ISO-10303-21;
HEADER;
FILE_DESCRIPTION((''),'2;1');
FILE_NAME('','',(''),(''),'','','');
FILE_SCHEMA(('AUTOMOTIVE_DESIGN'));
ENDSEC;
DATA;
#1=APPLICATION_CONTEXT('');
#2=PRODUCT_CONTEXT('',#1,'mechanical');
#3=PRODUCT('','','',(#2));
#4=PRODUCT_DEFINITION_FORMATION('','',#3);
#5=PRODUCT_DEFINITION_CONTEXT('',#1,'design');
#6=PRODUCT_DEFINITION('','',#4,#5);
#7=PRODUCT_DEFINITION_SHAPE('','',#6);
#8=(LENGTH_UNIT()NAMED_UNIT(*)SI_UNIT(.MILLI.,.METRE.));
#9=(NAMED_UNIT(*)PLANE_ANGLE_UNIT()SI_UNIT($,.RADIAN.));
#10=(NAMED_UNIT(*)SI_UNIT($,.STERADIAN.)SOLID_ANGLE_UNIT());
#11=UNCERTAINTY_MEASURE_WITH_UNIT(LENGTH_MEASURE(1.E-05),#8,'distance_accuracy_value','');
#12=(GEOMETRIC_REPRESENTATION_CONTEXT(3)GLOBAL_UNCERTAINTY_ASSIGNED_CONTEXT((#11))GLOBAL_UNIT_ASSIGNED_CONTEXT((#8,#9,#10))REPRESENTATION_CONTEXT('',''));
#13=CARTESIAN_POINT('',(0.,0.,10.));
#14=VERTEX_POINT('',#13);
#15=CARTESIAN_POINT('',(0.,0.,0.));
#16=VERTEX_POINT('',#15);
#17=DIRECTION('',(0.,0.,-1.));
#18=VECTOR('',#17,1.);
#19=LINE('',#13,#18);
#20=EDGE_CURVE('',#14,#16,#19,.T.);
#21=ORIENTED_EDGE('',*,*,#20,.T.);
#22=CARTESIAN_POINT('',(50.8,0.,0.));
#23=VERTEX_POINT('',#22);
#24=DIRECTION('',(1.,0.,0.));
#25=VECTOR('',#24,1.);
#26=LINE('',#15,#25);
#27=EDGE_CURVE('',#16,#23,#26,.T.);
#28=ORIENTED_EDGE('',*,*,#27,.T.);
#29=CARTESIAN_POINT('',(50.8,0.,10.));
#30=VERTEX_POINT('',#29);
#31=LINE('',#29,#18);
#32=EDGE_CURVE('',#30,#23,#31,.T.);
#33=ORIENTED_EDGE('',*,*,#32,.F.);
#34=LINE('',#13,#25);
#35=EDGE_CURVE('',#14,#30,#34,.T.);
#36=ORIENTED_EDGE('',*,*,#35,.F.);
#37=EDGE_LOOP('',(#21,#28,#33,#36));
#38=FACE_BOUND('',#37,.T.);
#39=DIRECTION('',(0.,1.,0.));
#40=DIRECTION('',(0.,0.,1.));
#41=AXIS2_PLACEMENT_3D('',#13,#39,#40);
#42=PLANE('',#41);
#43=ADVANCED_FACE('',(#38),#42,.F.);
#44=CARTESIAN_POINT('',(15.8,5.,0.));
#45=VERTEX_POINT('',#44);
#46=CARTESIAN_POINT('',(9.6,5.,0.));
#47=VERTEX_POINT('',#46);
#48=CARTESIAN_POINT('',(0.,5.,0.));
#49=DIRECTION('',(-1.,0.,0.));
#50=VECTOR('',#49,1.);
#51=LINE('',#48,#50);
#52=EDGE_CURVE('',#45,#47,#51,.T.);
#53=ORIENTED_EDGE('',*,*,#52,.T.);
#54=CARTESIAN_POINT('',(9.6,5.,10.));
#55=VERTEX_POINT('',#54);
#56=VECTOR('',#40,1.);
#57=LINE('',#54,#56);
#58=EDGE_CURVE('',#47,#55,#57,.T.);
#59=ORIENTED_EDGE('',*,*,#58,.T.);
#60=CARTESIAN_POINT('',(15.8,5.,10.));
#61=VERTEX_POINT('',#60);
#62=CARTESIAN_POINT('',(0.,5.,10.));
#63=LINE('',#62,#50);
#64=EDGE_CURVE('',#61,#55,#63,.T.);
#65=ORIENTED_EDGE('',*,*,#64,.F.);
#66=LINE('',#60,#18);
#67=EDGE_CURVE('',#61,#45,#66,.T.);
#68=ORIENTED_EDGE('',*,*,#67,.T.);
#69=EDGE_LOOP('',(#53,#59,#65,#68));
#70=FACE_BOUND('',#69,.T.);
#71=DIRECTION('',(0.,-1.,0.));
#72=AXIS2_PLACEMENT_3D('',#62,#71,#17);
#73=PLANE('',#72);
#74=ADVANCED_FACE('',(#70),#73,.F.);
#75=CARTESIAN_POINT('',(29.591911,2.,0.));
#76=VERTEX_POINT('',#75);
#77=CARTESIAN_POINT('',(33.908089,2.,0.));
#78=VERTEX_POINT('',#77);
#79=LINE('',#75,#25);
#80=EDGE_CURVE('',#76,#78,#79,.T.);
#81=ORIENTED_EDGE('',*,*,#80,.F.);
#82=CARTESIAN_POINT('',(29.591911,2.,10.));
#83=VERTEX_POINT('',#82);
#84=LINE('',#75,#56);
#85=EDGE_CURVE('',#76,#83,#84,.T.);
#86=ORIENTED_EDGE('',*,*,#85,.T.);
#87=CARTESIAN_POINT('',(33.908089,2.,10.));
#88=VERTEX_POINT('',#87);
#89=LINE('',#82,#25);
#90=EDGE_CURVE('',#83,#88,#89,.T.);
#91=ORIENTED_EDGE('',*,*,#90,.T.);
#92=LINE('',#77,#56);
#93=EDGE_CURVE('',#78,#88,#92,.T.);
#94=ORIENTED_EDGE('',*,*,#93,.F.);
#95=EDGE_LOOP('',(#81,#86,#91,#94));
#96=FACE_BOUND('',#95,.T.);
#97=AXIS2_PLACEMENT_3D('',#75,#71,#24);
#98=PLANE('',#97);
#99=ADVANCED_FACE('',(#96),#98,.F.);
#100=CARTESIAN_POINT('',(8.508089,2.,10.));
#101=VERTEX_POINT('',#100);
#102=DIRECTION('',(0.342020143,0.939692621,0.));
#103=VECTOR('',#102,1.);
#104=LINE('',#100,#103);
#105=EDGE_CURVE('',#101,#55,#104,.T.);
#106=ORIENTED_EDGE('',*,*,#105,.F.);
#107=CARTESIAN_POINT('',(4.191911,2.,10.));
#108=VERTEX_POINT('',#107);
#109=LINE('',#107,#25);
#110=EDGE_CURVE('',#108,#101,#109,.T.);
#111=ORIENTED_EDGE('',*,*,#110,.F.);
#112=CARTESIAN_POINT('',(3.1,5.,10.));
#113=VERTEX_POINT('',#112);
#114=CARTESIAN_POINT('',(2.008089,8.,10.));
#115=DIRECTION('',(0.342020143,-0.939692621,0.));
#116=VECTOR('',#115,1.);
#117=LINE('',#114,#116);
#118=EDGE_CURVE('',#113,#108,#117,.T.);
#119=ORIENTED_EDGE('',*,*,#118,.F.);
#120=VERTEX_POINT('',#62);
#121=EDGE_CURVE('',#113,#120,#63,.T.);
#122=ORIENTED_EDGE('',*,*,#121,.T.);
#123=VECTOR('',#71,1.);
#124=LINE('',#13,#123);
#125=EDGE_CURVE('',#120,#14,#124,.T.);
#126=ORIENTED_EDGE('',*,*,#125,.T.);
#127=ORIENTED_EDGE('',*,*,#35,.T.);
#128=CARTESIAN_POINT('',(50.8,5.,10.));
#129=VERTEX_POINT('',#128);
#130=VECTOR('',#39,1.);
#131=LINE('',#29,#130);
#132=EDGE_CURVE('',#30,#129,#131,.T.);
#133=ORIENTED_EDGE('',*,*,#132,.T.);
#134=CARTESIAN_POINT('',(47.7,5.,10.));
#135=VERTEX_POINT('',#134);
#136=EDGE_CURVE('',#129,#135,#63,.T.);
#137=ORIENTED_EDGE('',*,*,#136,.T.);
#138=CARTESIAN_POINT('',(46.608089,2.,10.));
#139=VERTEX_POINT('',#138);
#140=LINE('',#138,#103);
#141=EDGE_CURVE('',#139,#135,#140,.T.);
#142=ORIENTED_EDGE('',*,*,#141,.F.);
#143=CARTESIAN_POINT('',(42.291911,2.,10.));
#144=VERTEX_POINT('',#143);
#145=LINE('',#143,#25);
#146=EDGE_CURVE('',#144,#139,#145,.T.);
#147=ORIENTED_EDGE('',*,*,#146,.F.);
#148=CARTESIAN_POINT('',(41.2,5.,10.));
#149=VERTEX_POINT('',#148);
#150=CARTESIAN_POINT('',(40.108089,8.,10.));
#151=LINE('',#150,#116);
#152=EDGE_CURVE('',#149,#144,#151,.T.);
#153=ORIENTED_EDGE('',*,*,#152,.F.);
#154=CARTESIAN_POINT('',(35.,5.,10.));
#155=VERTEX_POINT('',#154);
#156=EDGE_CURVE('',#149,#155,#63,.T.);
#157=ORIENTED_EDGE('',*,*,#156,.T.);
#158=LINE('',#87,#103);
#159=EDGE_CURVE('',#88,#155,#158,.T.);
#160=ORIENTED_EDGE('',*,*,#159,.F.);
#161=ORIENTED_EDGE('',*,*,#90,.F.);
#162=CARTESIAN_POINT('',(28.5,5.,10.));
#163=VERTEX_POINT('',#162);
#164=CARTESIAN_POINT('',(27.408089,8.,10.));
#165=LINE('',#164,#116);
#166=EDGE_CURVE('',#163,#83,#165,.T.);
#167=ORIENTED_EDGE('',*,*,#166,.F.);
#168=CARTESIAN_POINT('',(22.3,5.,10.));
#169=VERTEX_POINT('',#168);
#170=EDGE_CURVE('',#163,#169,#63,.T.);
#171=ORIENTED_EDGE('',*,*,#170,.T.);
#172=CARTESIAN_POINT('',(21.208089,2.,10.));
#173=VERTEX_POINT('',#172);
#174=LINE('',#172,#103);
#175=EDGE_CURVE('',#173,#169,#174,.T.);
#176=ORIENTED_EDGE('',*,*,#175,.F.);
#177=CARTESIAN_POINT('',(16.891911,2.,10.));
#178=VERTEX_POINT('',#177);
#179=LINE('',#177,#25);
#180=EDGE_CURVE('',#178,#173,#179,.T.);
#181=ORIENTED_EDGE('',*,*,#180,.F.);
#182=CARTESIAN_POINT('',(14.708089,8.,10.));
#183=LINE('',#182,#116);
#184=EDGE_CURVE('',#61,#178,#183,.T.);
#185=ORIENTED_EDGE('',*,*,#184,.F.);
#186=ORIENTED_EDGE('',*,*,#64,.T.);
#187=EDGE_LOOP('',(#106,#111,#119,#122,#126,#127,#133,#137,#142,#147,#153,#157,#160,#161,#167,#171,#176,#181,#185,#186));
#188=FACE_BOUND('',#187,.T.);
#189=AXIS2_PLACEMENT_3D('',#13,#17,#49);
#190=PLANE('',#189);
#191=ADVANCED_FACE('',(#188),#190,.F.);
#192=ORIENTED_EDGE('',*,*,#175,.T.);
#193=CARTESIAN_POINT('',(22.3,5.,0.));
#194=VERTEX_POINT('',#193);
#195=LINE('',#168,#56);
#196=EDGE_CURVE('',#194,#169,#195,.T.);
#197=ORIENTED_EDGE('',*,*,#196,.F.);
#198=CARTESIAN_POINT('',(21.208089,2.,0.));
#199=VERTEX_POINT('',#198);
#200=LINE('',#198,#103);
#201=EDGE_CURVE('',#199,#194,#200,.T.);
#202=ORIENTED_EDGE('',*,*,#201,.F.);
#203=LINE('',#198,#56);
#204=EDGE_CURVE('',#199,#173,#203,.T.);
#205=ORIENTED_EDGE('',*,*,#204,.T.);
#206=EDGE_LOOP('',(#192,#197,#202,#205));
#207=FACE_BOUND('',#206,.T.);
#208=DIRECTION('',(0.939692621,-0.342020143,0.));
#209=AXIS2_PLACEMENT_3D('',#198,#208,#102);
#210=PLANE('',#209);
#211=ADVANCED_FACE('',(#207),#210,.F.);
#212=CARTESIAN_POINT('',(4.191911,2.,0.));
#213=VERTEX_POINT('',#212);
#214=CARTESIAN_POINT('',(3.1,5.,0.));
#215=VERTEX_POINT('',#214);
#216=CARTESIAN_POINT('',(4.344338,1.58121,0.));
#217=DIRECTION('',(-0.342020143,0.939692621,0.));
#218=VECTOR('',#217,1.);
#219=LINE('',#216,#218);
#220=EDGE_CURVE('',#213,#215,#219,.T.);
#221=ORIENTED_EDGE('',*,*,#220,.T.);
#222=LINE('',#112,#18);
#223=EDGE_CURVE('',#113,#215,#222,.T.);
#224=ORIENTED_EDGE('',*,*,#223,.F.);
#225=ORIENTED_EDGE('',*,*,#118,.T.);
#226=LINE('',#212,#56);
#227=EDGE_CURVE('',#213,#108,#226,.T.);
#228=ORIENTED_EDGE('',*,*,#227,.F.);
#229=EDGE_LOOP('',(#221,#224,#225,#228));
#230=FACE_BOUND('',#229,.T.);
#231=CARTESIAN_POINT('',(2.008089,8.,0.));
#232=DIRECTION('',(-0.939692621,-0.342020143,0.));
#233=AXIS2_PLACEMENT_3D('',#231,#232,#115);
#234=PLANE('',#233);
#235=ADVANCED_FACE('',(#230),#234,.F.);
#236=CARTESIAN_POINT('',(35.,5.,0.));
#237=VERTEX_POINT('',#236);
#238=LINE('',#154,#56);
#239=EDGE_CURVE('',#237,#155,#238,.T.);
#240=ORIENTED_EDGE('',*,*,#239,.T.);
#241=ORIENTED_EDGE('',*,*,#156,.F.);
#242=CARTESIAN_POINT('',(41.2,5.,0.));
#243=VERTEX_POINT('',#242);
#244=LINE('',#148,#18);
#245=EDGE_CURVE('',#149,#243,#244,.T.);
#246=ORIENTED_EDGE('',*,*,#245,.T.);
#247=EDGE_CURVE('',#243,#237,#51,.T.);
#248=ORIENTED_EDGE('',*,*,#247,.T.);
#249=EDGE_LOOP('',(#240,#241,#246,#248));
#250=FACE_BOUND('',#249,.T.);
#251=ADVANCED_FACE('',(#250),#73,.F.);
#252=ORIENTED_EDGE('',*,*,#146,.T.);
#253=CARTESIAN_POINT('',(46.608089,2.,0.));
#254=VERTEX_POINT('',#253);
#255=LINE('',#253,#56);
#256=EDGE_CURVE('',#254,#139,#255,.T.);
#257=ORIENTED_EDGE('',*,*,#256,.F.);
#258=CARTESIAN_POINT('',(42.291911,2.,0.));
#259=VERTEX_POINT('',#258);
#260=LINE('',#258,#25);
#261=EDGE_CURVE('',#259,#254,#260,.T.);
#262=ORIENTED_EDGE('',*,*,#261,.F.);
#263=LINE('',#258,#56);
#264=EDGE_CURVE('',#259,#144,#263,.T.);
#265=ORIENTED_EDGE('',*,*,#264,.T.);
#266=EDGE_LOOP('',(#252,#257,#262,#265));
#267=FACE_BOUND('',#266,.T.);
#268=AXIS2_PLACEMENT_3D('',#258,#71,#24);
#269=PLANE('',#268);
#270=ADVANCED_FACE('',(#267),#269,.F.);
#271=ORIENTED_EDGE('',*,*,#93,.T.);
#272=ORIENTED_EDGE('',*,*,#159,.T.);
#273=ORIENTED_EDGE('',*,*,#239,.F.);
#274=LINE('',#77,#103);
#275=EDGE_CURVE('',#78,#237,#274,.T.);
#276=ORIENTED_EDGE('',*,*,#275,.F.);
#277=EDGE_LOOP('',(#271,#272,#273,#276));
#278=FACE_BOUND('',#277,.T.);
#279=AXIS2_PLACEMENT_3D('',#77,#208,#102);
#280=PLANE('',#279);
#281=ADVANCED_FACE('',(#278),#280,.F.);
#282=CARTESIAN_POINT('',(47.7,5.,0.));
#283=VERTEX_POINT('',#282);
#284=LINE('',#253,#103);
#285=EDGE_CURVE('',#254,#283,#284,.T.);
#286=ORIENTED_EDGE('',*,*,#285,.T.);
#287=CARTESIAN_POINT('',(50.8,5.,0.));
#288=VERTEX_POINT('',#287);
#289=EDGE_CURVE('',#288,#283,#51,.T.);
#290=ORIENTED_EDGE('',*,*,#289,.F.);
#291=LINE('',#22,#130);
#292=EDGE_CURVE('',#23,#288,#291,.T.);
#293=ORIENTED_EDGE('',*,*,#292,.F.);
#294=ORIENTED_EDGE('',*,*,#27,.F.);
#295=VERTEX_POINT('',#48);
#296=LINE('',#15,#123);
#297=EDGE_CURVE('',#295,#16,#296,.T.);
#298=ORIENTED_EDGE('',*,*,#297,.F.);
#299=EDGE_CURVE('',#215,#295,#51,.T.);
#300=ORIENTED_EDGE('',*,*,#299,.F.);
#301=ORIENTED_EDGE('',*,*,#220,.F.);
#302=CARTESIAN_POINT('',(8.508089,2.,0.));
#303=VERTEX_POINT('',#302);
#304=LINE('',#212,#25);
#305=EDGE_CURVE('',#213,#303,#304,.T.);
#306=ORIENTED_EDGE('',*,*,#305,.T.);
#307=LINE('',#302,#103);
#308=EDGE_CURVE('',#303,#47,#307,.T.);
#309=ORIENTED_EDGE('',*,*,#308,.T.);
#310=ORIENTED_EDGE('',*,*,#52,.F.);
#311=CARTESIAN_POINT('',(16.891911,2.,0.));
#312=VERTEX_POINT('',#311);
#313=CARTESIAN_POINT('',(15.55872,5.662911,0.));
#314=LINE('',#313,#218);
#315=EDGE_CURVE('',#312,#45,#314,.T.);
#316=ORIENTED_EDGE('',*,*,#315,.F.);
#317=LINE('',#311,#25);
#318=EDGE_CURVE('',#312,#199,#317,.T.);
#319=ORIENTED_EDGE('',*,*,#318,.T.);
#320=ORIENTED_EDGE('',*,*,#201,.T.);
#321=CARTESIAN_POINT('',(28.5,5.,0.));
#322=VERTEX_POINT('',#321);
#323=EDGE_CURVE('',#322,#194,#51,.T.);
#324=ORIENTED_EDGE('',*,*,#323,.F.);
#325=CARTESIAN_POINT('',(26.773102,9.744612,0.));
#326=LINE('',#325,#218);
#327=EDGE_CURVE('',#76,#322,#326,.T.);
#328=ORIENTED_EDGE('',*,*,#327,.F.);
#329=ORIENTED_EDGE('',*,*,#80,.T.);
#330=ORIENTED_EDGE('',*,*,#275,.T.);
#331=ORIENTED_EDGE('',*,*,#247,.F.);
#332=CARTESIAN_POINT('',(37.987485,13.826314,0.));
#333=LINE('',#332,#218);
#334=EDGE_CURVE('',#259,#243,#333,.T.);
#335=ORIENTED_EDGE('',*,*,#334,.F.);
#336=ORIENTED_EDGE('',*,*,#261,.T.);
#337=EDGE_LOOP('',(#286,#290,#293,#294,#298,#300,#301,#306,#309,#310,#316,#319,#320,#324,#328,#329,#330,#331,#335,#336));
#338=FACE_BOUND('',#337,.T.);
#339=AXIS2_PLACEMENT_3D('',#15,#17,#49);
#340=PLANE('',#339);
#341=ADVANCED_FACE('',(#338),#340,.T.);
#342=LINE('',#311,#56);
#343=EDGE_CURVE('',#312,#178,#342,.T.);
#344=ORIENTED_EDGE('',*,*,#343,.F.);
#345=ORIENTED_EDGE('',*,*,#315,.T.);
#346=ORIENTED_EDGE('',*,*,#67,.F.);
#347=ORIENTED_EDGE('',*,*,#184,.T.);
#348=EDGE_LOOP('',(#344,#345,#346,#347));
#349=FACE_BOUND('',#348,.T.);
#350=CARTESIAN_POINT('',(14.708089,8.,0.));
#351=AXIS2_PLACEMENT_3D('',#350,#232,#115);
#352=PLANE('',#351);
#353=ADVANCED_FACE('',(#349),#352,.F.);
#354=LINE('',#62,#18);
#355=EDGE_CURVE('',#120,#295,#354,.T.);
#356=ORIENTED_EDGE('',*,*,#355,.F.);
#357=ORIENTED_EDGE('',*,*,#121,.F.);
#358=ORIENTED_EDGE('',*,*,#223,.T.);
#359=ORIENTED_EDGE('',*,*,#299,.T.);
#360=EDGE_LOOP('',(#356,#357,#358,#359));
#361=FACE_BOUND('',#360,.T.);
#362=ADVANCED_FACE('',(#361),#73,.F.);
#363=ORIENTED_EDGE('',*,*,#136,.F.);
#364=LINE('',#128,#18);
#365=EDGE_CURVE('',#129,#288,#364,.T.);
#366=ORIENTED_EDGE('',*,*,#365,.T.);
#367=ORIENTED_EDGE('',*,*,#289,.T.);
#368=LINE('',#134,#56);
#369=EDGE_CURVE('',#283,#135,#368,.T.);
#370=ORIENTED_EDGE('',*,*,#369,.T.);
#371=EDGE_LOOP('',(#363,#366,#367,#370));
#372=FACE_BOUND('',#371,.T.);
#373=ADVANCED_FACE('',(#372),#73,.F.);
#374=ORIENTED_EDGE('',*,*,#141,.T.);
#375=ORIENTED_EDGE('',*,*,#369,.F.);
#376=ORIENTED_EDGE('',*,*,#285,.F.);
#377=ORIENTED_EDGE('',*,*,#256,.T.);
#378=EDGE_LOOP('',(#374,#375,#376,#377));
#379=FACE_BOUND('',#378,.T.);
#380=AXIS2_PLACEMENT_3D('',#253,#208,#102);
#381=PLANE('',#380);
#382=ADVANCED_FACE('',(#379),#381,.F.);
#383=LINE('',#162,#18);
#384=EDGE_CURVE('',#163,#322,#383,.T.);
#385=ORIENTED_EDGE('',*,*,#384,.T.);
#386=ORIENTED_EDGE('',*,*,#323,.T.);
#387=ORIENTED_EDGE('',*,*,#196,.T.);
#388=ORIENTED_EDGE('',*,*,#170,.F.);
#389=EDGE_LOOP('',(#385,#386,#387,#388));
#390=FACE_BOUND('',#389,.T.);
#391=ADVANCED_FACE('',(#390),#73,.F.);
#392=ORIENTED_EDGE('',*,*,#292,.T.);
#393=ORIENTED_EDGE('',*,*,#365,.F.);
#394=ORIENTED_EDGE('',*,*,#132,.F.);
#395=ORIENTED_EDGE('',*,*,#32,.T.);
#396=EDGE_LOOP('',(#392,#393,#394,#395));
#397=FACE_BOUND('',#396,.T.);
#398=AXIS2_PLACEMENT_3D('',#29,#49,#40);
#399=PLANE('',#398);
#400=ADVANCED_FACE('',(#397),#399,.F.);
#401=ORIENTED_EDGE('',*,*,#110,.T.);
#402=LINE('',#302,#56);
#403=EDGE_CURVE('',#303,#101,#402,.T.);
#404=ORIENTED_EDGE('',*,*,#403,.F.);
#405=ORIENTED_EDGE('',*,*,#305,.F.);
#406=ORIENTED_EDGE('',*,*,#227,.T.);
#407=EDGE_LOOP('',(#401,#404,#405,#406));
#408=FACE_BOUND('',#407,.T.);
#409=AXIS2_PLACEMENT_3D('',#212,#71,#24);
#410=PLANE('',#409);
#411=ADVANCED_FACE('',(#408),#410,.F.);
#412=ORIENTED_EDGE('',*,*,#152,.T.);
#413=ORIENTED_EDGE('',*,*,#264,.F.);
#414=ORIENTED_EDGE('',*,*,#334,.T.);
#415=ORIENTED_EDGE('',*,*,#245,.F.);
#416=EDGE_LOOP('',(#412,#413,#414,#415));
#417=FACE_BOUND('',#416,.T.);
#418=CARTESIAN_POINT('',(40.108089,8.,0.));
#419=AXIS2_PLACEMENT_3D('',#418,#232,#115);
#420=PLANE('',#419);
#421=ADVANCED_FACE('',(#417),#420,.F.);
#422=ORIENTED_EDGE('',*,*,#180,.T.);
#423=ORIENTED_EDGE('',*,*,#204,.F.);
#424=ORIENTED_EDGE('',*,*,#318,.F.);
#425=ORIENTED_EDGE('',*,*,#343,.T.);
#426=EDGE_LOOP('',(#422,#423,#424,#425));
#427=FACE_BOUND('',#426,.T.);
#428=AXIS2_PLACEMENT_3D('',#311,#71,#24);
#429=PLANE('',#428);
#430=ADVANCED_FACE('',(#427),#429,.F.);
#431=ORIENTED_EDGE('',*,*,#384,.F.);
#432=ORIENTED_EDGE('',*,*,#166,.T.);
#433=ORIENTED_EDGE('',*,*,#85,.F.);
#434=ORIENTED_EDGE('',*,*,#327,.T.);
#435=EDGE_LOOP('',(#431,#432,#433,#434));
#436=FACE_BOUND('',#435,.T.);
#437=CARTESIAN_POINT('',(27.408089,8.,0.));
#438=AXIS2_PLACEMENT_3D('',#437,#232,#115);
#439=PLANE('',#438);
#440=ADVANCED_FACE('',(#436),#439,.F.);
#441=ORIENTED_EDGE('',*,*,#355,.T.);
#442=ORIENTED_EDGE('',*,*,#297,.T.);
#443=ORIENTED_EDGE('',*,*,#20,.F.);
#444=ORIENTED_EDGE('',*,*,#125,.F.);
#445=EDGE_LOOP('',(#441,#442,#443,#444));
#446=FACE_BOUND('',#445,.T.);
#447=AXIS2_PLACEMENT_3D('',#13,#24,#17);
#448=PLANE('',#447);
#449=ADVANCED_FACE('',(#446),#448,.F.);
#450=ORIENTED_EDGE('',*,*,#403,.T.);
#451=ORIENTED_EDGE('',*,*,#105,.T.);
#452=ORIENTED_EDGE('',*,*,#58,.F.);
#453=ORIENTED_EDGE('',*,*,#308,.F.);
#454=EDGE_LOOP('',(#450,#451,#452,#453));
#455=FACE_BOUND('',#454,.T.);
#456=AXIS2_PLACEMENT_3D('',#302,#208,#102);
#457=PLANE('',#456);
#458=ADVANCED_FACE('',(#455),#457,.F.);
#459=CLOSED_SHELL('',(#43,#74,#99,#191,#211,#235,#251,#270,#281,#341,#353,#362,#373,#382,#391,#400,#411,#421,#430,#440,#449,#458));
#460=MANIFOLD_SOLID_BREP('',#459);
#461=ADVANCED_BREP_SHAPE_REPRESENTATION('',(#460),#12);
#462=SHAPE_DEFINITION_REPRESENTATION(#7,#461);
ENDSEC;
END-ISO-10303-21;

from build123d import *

# Parameters (mm, degrees)
SKETCH1_W           = 50.8
SKETCH1_H           = 5
BOSS_EXTRUDE1_DEPTH = 10
CUT_EXTRUDE2_DEPTH  = 53.01576684
LPATTERN1_COUNT     = 4
LPATTERN1_PITCH     = 12.7


with BuildPart() as part:
    # Sketch1 → Boss-Extrude1 (new body)
    with BuildSketch(Plane.XY):
        with Locations((25.4, 2.5)):
            Rectangle(SKETCH1_W, SKETCH1_H)
    extrude(amount=BOSS_EXTRUDE1_DEPTH)

    # Sketch3 → Cut-Extrude2 (cut, through all)
    with BuildSketch(Plane.XY.offset(10)):
        Polygon((2.008089297, 8), (4.191910703, 2), (8.508089297, 2), (10.691910703, 8), align=None)
    cut_extrude2 = extrude(amount=-CUT_EXTRUDE2_DEPTH, mode=Mode.SUBTRACT)

    # LPattern1: Cut-Extrude2 ×4
    with Locations(*[(i * LPATTERN1_PITCH, 0, 0) for i in range(1, LPATTERN1_COUNT)]):
        add(cut_extrude2, mode=Mode.SUBTRACT)


solid = part.part
